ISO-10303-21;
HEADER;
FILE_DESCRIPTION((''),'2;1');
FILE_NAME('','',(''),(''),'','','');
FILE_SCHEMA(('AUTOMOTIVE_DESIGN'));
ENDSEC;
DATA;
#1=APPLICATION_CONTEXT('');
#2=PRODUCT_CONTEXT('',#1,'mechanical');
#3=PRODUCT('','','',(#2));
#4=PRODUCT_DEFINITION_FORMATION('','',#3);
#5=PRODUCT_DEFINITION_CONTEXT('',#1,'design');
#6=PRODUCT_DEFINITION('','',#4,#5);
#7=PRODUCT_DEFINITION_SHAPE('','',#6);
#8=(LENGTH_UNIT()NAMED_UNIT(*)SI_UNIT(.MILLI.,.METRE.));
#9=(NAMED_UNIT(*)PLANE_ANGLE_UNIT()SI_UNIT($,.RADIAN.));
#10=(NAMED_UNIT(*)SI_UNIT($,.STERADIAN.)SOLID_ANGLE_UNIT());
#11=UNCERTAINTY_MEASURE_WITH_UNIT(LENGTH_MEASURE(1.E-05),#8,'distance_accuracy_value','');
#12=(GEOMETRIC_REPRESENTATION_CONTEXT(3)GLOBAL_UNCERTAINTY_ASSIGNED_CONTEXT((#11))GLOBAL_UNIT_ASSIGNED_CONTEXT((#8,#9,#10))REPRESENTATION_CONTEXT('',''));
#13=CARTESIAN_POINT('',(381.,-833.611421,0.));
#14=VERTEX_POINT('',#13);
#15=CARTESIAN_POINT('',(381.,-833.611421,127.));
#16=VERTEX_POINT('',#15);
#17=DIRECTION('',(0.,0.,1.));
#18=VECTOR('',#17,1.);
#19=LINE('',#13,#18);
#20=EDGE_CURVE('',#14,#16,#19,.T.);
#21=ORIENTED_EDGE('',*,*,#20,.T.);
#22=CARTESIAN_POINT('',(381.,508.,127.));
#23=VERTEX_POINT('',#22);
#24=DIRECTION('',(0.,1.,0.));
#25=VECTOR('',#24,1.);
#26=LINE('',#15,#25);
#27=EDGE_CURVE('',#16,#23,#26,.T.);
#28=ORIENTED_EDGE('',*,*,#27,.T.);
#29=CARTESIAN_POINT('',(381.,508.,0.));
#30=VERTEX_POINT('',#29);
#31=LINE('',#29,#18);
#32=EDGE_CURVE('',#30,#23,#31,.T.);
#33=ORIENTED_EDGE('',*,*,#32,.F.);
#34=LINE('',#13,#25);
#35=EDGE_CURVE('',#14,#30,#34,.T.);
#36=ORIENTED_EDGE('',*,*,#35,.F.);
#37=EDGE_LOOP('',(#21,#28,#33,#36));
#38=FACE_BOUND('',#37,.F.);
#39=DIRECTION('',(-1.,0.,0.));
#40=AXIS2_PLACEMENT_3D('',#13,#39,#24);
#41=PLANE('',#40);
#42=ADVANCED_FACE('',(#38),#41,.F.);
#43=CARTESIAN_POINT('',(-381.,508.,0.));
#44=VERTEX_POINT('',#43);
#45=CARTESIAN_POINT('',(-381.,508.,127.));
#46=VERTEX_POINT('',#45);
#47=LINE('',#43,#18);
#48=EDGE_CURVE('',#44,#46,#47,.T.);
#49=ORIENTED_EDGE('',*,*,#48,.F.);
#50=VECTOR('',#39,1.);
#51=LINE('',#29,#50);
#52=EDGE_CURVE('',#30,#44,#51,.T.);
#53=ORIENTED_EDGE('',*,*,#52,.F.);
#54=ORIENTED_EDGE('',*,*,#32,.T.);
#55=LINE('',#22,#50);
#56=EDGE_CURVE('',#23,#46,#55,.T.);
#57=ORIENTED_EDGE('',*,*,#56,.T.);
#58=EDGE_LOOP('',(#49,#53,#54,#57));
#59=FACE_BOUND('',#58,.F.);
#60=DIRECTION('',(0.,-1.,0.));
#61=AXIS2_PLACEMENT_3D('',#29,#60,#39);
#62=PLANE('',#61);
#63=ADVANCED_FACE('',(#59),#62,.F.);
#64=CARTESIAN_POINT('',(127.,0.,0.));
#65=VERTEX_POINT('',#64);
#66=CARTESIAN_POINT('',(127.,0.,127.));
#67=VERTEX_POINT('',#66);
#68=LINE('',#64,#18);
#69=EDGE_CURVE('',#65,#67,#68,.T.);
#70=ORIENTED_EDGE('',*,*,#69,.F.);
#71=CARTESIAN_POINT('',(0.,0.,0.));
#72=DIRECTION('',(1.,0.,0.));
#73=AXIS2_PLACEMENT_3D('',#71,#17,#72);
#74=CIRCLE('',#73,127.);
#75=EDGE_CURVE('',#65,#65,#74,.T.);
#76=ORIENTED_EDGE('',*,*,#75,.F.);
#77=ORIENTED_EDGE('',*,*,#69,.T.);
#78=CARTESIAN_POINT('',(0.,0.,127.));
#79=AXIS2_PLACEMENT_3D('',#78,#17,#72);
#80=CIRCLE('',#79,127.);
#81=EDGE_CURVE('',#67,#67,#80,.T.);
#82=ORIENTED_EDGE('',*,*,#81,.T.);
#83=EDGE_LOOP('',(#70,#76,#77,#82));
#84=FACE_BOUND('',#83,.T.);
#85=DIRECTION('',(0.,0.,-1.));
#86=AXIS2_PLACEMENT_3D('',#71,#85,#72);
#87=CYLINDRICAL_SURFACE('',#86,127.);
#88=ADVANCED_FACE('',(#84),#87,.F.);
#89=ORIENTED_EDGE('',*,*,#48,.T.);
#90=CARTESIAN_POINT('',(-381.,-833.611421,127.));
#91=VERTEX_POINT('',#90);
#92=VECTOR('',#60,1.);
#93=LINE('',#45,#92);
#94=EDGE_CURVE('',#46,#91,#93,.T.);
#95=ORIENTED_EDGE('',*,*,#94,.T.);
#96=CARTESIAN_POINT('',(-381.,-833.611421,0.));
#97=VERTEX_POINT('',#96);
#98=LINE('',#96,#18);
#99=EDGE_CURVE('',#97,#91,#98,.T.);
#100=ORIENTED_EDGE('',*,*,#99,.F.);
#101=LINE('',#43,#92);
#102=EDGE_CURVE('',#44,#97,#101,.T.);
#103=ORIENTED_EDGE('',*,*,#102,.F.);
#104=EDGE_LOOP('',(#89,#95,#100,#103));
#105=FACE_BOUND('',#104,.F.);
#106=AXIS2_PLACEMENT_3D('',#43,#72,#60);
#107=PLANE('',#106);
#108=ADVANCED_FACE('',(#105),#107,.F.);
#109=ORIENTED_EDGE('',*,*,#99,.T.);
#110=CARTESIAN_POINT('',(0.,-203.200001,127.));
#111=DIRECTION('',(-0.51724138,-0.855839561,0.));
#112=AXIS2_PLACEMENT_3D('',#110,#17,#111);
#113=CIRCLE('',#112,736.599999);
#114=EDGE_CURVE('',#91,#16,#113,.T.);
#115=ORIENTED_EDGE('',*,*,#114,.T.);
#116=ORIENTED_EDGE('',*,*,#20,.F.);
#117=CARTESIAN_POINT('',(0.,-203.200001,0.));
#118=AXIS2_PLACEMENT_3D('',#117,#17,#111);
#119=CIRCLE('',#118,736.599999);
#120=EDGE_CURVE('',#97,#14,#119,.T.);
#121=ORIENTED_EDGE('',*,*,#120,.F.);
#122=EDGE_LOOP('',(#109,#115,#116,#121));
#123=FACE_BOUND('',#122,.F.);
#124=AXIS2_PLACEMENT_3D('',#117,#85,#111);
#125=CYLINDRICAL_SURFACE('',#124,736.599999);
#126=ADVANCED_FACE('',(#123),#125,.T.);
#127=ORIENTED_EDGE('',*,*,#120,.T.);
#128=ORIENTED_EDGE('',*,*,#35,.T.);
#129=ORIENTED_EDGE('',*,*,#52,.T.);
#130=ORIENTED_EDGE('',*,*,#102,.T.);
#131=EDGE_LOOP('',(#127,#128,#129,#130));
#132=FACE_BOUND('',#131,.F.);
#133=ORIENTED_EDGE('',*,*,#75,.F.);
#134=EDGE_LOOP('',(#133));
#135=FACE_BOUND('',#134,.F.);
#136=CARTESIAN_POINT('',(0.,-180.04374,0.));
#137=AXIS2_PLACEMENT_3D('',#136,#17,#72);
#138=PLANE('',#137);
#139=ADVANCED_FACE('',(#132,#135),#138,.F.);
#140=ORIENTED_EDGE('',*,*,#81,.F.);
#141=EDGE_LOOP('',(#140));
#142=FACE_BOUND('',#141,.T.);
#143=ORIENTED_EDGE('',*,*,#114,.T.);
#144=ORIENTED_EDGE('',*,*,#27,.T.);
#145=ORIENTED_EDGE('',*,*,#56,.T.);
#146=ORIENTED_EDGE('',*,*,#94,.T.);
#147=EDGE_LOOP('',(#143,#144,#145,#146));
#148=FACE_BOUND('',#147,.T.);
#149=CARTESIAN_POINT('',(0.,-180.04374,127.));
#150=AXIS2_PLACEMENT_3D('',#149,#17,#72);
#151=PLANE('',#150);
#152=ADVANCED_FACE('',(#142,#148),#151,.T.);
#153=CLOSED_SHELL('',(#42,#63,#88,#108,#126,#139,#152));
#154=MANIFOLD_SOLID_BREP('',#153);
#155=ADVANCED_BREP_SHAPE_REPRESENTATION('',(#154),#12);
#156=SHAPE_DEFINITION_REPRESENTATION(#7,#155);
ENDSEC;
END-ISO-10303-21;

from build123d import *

# Parameters (mm, degrees)
F0_R     = 127
F1_DEPTH = 127


with BuildPart() as f1:
    # F0 (on Top) → F1 (new body)
    with BuildSketch(Plane.XY):
        with BuildLine():
            Line((-381, 508), (-381, 0))
            Line((-381, 0), (-381, -833.611421))
            ThreePointArc((-381, -833.611421), (0, -939.8), (381, -833.611421))
            Line((381, -833.611421), (381, 0))
            Line((381, 0), (381, 508))
            Line((381, 508), (-381, 508))
        make_face()
        Circle(F0_R, mode=Mode.SUBTRACT)
    extrude(amount=F1_DEPTH)


solid = f1.part
